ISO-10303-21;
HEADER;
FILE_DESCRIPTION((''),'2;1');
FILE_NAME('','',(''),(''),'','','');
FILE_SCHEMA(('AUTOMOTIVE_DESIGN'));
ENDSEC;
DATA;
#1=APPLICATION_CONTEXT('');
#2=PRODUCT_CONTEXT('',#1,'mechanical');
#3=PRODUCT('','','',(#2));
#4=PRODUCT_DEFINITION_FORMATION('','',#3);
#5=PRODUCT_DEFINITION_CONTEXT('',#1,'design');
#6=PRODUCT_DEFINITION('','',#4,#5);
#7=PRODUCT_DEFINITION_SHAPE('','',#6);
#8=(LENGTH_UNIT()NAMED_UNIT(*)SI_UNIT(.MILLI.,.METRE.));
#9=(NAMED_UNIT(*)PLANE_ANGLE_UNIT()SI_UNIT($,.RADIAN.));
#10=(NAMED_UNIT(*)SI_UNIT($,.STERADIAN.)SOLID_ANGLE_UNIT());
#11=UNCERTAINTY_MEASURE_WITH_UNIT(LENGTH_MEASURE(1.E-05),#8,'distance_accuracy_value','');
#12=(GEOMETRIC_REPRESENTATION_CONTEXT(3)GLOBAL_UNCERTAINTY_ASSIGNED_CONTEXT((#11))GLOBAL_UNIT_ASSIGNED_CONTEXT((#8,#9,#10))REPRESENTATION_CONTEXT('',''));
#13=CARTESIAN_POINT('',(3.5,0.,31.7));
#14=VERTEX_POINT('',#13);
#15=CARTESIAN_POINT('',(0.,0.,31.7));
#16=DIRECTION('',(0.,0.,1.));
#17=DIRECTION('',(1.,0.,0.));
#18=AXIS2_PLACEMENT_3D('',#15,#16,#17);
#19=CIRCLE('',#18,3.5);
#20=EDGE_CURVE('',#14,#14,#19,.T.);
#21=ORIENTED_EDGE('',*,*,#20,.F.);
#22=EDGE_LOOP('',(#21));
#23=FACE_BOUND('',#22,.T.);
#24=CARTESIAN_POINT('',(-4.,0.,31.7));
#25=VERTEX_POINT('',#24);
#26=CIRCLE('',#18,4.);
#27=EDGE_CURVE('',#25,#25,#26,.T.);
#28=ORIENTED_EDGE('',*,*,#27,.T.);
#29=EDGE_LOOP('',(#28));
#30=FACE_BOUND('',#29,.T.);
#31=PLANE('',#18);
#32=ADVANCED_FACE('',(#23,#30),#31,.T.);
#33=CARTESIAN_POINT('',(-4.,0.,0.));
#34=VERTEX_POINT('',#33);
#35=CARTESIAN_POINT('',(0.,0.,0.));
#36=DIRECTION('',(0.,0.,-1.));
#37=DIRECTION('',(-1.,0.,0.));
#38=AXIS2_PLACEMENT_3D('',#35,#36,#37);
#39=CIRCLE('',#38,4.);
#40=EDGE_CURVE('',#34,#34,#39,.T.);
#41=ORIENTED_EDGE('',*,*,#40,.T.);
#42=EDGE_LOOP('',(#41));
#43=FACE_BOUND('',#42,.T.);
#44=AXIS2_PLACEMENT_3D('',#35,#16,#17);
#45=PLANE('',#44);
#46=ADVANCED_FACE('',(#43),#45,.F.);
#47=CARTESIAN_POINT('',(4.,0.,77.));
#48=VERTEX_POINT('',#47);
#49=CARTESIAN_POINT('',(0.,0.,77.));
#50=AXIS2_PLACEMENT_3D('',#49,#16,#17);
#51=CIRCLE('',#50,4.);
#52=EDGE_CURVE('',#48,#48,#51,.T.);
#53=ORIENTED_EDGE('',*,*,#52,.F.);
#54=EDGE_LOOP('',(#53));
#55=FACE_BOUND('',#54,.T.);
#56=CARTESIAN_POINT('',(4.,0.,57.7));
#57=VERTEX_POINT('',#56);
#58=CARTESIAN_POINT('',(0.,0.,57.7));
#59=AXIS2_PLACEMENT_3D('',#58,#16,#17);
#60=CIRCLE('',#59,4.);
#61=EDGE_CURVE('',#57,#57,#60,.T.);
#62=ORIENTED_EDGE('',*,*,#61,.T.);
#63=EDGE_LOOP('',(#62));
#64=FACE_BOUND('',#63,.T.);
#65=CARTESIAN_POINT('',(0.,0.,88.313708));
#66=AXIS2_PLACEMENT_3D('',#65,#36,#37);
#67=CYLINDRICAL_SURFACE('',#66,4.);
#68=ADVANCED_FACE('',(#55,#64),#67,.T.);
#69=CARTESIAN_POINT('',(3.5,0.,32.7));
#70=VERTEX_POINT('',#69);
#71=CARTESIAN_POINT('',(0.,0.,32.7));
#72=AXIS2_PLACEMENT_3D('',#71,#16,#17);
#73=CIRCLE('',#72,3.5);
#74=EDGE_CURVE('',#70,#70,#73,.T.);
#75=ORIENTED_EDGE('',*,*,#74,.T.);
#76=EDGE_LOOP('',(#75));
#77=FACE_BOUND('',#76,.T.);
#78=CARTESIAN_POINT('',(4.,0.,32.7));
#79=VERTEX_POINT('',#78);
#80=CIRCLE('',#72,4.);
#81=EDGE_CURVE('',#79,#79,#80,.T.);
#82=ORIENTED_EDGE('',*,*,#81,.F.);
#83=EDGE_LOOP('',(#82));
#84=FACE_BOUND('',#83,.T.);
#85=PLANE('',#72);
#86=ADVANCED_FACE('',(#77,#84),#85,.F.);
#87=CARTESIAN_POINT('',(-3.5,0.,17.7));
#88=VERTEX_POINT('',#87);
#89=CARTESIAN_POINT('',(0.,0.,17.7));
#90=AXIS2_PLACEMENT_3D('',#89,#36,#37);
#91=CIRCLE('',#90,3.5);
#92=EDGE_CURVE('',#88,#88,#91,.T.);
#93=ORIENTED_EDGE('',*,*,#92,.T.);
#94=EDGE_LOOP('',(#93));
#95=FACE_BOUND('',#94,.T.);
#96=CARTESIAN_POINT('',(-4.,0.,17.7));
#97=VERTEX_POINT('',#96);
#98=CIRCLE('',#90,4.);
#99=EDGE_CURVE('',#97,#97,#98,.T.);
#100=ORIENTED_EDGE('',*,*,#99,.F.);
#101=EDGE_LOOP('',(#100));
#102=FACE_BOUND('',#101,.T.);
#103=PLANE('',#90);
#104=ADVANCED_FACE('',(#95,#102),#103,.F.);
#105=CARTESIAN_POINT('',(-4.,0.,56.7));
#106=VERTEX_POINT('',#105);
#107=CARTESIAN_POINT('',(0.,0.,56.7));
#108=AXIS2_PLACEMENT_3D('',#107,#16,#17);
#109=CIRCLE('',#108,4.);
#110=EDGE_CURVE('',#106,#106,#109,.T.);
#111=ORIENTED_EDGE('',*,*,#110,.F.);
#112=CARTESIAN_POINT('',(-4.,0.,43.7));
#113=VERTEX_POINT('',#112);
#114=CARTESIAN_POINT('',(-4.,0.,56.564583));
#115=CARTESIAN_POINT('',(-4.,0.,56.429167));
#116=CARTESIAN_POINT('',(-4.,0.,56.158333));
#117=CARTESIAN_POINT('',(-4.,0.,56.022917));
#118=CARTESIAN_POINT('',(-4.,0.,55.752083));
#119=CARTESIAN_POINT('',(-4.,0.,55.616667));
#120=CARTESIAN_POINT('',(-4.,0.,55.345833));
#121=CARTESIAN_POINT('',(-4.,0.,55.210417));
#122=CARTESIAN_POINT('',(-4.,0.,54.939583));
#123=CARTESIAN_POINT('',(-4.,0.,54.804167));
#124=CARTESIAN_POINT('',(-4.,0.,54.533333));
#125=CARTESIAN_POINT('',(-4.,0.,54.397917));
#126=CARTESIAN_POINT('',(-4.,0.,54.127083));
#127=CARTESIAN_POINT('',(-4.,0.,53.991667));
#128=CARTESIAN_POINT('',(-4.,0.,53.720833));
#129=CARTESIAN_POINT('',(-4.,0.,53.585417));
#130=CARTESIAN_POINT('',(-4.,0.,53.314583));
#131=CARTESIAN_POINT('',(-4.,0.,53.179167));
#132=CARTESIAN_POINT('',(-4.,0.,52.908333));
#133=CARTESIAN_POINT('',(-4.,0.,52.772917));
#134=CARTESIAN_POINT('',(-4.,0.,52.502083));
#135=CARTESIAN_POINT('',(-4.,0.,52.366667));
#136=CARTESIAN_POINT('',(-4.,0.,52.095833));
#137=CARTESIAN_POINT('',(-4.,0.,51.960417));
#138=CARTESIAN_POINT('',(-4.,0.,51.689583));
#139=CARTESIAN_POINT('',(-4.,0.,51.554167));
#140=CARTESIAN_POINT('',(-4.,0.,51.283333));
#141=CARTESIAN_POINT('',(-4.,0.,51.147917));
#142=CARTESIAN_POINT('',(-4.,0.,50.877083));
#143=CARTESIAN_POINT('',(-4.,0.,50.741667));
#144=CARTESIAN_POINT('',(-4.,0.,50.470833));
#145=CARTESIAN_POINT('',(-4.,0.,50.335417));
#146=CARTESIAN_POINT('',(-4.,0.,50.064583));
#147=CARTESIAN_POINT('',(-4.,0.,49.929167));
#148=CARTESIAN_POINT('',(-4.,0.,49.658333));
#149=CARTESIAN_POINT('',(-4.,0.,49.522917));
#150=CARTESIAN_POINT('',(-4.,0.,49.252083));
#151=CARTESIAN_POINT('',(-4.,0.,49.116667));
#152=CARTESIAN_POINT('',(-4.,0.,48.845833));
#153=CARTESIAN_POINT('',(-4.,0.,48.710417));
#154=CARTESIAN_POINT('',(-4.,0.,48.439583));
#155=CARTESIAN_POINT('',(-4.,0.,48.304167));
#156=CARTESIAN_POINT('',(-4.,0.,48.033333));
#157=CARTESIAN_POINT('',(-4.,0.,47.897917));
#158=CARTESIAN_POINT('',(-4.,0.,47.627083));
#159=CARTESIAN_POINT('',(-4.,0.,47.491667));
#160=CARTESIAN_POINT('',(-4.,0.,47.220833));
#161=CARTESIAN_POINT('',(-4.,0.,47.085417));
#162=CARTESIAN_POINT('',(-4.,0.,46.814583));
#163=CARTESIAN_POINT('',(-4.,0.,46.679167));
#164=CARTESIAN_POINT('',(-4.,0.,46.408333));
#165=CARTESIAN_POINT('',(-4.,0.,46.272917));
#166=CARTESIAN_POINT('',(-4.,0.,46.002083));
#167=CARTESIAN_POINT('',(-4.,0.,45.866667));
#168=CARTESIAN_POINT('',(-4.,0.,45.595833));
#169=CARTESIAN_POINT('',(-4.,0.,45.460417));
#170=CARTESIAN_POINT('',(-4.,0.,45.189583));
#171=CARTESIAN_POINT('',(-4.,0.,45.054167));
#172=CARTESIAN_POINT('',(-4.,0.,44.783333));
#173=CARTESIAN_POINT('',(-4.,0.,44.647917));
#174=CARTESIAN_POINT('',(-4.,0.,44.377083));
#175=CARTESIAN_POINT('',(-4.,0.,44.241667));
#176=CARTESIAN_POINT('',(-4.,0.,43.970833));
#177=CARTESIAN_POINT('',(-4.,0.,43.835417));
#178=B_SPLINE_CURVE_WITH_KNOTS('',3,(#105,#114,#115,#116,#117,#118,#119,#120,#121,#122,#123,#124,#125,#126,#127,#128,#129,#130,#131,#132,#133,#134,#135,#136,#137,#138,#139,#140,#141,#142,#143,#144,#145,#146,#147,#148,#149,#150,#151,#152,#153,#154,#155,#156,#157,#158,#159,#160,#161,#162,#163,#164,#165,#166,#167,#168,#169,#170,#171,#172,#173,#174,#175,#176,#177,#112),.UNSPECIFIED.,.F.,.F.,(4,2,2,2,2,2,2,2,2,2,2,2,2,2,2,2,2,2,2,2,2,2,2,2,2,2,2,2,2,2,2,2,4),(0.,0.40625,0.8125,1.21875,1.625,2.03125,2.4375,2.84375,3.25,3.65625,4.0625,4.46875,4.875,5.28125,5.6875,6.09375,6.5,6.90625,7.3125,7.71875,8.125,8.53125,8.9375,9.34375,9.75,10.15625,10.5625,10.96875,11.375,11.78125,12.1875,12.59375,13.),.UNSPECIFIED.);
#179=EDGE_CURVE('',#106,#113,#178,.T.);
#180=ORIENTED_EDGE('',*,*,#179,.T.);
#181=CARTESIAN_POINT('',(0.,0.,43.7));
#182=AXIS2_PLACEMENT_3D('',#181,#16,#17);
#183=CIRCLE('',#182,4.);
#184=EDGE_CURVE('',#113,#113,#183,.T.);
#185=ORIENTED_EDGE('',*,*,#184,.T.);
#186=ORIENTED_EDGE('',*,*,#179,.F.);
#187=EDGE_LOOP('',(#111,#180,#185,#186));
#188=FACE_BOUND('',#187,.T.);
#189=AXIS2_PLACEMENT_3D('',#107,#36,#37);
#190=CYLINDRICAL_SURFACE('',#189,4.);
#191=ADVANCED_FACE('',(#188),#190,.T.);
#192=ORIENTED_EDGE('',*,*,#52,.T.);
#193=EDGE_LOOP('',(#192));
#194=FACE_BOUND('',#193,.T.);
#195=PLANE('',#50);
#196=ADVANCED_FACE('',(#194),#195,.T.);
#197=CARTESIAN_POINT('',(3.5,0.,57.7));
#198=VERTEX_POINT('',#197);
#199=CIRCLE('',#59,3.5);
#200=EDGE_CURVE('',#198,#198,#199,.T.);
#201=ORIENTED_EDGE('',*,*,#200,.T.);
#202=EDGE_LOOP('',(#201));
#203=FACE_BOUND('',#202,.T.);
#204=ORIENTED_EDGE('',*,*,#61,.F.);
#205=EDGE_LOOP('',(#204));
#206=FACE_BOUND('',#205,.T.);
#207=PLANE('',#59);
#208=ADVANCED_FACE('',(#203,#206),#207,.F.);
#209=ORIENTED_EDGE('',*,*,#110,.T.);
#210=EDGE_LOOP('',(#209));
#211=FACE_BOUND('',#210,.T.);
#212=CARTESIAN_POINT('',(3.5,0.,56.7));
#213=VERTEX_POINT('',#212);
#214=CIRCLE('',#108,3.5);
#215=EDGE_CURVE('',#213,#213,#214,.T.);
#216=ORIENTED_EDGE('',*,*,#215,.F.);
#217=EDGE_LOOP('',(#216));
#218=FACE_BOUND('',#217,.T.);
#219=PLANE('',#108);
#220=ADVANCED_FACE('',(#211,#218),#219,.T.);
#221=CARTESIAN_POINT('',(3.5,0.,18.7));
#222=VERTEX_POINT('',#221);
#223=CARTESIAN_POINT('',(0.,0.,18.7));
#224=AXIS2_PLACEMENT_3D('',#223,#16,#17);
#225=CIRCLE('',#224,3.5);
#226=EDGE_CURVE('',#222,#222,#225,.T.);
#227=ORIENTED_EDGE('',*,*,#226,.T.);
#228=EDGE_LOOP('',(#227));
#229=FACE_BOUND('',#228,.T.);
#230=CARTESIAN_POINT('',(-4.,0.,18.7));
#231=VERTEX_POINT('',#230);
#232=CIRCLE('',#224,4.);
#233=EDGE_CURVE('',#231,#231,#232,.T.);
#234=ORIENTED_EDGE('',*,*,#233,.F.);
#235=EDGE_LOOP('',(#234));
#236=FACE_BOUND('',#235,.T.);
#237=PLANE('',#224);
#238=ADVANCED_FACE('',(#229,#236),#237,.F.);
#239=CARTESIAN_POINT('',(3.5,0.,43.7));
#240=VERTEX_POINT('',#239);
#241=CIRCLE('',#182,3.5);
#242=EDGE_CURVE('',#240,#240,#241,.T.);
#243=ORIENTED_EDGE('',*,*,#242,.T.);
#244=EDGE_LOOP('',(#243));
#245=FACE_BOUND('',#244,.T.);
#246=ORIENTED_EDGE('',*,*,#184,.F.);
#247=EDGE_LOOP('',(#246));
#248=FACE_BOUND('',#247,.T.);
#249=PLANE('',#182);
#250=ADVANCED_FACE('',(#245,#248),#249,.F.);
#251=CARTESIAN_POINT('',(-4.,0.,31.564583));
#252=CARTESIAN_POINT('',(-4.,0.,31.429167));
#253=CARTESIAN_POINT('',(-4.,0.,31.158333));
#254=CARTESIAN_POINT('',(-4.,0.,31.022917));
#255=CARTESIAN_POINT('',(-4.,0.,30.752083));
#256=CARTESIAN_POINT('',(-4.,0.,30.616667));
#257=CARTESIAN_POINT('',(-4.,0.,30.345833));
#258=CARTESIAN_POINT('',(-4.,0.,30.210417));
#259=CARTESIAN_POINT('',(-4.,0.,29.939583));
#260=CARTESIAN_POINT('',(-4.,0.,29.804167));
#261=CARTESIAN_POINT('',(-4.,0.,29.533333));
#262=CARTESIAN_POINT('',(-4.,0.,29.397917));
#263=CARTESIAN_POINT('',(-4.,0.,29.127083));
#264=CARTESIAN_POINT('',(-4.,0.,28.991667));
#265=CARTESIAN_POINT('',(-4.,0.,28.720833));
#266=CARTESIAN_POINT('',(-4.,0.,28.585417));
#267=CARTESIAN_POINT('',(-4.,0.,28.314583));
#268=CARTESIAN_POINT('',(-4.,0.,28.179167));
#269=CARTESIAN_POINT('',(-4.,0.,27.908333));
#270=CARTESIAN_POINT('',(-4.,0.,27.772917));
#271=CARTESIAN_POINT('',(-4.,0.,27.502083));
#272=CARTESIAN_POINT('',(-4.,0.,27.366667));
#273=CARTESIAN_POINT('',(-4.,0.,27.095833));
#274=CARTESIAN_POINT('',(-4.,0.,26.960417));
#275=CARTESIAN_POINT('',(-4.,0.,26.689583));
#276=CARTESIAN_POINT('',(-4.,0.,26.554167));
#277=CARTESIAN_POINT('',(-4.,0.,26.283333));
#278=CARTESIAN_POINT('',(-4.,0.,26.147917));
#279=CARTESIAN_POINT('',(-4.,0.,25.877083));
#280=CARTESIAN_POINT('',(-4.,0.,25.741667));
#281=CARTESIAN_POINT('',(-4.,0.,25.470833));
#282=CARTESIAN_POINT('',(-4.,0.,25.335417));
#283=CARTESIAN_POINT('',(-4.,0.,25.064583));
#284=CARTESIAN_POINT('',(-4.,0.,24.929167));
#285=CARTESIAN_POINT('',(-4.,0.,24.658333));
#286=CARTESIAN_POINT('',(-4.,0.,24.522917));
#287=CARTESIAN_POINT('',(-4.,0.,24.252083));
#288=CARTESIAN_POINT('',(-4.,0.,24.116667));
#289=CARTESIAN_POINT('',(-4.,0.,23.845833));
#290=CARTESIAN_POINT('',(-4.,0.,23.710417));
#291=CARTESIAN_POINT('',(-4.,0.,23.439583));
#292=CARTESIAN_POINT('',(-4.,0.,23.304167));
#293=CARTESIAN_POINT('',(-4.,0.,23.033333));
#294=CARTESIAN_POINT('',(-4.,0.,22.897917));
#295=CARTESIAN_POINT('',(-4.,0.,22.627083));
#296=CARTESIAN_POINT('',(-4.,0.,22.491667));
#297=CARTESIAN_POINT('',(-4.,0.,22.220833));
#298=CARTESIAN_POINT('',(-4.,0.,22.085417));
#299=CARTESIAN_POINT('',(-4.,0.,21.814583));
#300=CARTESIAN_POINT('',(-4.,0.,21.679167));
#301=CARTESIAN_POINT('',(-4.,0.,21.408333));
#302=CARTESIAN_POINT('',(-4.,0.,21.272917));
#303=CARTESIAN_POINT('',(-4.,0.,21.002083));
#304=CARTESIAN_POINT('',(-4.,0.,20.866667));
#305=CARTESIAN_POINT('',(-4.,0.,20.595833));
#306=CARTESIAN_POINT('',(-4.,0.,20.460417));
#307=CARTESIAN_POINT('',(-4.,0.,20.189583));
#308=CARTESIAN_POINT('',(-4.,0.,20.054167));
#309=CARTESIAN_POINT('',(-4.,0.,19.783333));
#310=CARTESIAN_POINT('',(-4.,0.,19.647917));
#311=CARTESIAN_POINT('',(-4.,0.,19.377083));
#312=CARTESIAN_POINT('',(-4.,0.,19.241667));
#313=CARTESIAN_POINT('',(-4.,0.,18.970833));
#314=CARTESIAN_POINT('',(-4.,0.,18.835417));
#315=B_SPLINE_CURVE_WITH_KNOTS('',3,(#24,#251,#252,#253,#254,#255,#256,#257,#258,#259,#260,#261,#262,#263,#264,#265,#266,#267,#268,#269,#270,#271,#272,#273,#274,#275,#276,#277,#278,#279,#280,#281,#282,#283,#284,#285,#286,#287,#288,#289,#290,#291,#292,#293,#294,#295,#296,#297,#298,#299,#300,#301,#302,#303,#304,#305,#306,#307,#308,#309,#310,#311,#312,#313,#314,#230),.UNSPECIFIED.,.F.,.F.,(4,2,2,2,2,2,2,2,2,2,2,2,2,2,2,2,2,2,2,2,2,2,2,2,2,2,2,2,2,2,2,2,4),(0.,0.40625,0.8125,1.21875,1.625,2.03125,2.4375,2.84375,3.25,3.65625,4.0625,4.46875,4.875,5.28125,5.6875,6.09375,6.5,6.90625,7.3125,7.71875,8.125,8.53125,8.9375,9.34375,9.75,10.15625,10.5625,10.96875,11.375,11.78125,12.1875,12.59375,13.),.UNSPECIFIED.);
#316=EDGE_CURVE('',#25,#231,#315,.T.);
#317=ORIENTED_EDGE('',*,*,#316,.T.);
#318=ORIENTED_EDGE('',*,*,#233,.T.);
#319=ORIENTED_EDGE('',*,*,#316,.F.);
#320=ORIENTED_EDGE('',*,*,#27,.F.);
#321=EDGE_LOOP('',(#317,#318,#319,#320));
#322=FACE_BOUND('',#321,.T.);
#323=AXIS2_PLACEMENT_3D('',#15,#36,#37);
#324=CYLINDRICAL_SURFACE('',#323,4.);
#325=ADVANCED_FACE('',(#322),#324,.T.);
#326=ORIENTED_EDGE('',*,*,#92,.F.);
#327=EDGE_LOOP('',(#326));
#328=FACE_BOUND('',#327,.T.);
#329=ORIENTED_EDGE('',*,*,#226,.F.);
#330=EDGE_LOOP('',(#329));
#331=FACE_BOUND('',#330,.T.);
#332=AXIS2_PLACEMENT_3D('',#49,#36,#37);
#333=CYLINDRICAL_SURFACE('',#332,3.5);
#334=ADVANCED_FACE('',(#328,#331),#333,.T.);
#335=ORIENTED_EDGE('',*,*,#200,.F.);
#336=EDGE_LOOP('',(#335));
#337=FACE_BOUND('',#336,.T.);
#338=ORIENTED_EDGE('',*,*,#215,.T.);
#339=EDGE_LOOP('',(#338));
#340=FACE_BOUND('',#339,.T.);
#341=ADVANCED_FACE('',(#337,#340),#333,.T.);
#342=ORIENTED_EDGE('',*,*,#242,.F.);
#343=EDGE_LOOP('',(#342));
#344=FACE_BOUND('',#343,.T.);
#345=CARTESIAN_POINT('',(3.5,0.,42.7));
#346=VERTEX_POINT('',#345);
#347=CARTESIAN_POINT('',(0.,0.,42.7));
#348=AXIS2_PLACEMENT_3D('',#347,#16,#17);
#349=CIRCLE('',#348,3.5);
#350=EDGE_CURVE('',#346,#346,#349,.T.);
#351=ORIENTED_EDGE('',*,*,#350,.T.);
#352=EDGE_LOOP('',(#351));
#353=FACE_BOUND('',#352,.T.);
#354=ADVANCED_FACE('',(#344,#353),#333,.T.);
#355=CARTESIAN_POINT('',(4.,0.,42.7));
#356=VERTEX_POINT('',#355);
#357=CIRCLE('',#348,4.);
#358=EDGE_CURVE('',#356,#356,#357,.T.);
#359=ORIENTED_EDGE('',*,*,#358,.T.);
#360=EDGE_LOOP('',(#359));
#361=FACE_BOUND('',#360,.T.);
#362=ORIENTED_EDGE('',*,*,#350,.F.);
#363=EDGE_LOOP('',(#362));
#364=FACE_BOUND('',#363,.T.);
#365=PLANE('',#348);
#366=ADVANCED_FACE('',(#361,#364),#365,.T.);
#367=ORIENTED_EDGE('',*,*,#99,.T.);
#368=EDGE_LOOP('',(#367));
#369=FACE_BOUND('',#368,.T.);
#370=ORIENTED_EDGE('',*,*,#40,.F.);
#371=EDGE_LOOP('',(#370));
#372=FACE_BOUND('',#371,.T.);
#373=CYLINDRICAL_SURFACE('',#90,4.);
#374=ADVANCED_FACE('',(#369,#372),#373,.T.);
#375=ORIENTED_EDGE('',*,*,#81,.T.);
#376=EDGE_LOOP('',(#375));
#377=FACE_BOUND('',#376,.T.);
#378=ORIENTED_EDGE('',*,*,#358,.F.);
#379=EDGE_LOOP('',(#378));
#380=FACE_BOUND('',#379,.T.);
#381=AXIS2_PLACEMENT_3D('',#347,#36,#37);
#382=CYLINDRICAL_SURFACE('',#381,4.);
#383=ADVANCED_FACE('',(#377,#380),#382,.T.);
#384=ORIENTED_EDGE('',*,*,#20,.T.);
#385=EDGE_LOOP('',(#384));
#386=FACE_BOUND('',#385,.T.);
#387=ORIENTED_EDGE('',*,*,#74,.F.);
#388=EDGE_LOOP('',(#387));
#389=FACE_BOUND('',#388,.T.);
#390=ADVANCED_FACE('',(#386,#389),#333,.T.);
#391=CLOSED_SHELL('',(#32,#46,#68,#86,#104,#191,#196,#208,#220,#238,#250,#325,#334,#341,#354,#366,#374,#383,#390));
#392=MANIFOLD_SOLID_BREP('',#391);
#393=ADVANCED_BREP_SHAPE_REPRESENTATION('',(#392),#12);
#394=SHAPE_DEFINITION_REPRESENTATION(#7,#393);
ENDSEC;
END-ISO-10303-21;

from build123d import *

# Parameters (mm, degrees)
SKETCH1_R           = 3.5
BOSS_EXTRUDE1_DEPTH = 77
SKETCH3_R           = 4
SKETCH3_R_2         = 3.5
BOSS_EXTRUDE2_DEPTH = 17.7
SKETCH6_R           = 4
SKETCH6_R_2         = 3
BOSS_EXTRUDE3_DEPTH = 13
SKETCH7_R           = 4
SKETCH7_R_2         = 3
BOSS_EXTRUDE4_DEPTH = 10
SKETCH8_R           = 4
SKETCH8_R_2         = 3
BOSS_EXTRUDE5_DEPTH = 13
SKETCH9_R           = 4
SKETCH9_R_2         = 3
BOSS_EXTRUDE6_DEPTH = 19.3


with BuildPart() as part:
    # Sketch1 → Boss-Extrude1 (new body)
    with BuildSketch(Plane.XY):
        Circle(SKETCH1_R)
    extrude(amount=BOSS_EXTRUDE1_DEPTH)

    # Sketch3 → Boss-Extrude2 (add)
    with BuildSketch(Plane(origin=(0, 0, 0), x_dir=(-1, 0, 0), z_dir=(0, 0, -1))):
        Circle(SKETCH3_R)
        Circle(SKETCH3_R_2, mode=Mode.SUBTRACT)
    extrude(amount=-BOSS_EXTRUDE2_DEPTH)

    # Sketch6 → Boss-Extrude3 (add)
    with BuildSketch(Plane.XY.offset(18.7)):
        with Locations(Location((0, 0, 0), (0, 0, 180))):
            Circle(SKETCH6_R)
        Circle(SKETCH6_R_2, mode=Mode.SUBTRACT)
    extrude(amount=BOSS_EXTRUDE3_DEPTH)

    # Sketch7 → Boss-Extrude4 (add)
    with BuildSketch(Plane.XY.offset(32.7)):
        with Locations(Location((0, 0, 0), (0, 0, 180))):
            Circle(SKETCH7_R)
        Circle(SKETCH7_R_2, mode=Mode.SUBTRACT)
    extrude(amount=BOSS_EXTRUDE4_DEPTH)

    # Sketch8 → Boss-Extrude5 (add)
    with BuildSketch(Plane.XY.offset(43.7)):
        with Locations(Location((0, 0, 0), (0, 0, 180))):
            Circle(SKETCH8_R)
        Circle(SKETCH8_R_2, mode=Mode.SUBTRACT)
    extrude(amount=BOSS_EXTRUDE5_DEPTH)

    # Sketch9 → Boss-Extrude6 (add)
    with BuildSketch(Plane.XY.offset(57.7)):
        with Locations(Location((0, 0, 0), (0, 0, 180))):
            Circle(SKETCH9_R)
        Circle(SKETCH9_R_2, mode=Mode.SUBTRACT)
    extrude(amount=BOSS_EXTRUDE6_DEPTH)


solid = part.part
